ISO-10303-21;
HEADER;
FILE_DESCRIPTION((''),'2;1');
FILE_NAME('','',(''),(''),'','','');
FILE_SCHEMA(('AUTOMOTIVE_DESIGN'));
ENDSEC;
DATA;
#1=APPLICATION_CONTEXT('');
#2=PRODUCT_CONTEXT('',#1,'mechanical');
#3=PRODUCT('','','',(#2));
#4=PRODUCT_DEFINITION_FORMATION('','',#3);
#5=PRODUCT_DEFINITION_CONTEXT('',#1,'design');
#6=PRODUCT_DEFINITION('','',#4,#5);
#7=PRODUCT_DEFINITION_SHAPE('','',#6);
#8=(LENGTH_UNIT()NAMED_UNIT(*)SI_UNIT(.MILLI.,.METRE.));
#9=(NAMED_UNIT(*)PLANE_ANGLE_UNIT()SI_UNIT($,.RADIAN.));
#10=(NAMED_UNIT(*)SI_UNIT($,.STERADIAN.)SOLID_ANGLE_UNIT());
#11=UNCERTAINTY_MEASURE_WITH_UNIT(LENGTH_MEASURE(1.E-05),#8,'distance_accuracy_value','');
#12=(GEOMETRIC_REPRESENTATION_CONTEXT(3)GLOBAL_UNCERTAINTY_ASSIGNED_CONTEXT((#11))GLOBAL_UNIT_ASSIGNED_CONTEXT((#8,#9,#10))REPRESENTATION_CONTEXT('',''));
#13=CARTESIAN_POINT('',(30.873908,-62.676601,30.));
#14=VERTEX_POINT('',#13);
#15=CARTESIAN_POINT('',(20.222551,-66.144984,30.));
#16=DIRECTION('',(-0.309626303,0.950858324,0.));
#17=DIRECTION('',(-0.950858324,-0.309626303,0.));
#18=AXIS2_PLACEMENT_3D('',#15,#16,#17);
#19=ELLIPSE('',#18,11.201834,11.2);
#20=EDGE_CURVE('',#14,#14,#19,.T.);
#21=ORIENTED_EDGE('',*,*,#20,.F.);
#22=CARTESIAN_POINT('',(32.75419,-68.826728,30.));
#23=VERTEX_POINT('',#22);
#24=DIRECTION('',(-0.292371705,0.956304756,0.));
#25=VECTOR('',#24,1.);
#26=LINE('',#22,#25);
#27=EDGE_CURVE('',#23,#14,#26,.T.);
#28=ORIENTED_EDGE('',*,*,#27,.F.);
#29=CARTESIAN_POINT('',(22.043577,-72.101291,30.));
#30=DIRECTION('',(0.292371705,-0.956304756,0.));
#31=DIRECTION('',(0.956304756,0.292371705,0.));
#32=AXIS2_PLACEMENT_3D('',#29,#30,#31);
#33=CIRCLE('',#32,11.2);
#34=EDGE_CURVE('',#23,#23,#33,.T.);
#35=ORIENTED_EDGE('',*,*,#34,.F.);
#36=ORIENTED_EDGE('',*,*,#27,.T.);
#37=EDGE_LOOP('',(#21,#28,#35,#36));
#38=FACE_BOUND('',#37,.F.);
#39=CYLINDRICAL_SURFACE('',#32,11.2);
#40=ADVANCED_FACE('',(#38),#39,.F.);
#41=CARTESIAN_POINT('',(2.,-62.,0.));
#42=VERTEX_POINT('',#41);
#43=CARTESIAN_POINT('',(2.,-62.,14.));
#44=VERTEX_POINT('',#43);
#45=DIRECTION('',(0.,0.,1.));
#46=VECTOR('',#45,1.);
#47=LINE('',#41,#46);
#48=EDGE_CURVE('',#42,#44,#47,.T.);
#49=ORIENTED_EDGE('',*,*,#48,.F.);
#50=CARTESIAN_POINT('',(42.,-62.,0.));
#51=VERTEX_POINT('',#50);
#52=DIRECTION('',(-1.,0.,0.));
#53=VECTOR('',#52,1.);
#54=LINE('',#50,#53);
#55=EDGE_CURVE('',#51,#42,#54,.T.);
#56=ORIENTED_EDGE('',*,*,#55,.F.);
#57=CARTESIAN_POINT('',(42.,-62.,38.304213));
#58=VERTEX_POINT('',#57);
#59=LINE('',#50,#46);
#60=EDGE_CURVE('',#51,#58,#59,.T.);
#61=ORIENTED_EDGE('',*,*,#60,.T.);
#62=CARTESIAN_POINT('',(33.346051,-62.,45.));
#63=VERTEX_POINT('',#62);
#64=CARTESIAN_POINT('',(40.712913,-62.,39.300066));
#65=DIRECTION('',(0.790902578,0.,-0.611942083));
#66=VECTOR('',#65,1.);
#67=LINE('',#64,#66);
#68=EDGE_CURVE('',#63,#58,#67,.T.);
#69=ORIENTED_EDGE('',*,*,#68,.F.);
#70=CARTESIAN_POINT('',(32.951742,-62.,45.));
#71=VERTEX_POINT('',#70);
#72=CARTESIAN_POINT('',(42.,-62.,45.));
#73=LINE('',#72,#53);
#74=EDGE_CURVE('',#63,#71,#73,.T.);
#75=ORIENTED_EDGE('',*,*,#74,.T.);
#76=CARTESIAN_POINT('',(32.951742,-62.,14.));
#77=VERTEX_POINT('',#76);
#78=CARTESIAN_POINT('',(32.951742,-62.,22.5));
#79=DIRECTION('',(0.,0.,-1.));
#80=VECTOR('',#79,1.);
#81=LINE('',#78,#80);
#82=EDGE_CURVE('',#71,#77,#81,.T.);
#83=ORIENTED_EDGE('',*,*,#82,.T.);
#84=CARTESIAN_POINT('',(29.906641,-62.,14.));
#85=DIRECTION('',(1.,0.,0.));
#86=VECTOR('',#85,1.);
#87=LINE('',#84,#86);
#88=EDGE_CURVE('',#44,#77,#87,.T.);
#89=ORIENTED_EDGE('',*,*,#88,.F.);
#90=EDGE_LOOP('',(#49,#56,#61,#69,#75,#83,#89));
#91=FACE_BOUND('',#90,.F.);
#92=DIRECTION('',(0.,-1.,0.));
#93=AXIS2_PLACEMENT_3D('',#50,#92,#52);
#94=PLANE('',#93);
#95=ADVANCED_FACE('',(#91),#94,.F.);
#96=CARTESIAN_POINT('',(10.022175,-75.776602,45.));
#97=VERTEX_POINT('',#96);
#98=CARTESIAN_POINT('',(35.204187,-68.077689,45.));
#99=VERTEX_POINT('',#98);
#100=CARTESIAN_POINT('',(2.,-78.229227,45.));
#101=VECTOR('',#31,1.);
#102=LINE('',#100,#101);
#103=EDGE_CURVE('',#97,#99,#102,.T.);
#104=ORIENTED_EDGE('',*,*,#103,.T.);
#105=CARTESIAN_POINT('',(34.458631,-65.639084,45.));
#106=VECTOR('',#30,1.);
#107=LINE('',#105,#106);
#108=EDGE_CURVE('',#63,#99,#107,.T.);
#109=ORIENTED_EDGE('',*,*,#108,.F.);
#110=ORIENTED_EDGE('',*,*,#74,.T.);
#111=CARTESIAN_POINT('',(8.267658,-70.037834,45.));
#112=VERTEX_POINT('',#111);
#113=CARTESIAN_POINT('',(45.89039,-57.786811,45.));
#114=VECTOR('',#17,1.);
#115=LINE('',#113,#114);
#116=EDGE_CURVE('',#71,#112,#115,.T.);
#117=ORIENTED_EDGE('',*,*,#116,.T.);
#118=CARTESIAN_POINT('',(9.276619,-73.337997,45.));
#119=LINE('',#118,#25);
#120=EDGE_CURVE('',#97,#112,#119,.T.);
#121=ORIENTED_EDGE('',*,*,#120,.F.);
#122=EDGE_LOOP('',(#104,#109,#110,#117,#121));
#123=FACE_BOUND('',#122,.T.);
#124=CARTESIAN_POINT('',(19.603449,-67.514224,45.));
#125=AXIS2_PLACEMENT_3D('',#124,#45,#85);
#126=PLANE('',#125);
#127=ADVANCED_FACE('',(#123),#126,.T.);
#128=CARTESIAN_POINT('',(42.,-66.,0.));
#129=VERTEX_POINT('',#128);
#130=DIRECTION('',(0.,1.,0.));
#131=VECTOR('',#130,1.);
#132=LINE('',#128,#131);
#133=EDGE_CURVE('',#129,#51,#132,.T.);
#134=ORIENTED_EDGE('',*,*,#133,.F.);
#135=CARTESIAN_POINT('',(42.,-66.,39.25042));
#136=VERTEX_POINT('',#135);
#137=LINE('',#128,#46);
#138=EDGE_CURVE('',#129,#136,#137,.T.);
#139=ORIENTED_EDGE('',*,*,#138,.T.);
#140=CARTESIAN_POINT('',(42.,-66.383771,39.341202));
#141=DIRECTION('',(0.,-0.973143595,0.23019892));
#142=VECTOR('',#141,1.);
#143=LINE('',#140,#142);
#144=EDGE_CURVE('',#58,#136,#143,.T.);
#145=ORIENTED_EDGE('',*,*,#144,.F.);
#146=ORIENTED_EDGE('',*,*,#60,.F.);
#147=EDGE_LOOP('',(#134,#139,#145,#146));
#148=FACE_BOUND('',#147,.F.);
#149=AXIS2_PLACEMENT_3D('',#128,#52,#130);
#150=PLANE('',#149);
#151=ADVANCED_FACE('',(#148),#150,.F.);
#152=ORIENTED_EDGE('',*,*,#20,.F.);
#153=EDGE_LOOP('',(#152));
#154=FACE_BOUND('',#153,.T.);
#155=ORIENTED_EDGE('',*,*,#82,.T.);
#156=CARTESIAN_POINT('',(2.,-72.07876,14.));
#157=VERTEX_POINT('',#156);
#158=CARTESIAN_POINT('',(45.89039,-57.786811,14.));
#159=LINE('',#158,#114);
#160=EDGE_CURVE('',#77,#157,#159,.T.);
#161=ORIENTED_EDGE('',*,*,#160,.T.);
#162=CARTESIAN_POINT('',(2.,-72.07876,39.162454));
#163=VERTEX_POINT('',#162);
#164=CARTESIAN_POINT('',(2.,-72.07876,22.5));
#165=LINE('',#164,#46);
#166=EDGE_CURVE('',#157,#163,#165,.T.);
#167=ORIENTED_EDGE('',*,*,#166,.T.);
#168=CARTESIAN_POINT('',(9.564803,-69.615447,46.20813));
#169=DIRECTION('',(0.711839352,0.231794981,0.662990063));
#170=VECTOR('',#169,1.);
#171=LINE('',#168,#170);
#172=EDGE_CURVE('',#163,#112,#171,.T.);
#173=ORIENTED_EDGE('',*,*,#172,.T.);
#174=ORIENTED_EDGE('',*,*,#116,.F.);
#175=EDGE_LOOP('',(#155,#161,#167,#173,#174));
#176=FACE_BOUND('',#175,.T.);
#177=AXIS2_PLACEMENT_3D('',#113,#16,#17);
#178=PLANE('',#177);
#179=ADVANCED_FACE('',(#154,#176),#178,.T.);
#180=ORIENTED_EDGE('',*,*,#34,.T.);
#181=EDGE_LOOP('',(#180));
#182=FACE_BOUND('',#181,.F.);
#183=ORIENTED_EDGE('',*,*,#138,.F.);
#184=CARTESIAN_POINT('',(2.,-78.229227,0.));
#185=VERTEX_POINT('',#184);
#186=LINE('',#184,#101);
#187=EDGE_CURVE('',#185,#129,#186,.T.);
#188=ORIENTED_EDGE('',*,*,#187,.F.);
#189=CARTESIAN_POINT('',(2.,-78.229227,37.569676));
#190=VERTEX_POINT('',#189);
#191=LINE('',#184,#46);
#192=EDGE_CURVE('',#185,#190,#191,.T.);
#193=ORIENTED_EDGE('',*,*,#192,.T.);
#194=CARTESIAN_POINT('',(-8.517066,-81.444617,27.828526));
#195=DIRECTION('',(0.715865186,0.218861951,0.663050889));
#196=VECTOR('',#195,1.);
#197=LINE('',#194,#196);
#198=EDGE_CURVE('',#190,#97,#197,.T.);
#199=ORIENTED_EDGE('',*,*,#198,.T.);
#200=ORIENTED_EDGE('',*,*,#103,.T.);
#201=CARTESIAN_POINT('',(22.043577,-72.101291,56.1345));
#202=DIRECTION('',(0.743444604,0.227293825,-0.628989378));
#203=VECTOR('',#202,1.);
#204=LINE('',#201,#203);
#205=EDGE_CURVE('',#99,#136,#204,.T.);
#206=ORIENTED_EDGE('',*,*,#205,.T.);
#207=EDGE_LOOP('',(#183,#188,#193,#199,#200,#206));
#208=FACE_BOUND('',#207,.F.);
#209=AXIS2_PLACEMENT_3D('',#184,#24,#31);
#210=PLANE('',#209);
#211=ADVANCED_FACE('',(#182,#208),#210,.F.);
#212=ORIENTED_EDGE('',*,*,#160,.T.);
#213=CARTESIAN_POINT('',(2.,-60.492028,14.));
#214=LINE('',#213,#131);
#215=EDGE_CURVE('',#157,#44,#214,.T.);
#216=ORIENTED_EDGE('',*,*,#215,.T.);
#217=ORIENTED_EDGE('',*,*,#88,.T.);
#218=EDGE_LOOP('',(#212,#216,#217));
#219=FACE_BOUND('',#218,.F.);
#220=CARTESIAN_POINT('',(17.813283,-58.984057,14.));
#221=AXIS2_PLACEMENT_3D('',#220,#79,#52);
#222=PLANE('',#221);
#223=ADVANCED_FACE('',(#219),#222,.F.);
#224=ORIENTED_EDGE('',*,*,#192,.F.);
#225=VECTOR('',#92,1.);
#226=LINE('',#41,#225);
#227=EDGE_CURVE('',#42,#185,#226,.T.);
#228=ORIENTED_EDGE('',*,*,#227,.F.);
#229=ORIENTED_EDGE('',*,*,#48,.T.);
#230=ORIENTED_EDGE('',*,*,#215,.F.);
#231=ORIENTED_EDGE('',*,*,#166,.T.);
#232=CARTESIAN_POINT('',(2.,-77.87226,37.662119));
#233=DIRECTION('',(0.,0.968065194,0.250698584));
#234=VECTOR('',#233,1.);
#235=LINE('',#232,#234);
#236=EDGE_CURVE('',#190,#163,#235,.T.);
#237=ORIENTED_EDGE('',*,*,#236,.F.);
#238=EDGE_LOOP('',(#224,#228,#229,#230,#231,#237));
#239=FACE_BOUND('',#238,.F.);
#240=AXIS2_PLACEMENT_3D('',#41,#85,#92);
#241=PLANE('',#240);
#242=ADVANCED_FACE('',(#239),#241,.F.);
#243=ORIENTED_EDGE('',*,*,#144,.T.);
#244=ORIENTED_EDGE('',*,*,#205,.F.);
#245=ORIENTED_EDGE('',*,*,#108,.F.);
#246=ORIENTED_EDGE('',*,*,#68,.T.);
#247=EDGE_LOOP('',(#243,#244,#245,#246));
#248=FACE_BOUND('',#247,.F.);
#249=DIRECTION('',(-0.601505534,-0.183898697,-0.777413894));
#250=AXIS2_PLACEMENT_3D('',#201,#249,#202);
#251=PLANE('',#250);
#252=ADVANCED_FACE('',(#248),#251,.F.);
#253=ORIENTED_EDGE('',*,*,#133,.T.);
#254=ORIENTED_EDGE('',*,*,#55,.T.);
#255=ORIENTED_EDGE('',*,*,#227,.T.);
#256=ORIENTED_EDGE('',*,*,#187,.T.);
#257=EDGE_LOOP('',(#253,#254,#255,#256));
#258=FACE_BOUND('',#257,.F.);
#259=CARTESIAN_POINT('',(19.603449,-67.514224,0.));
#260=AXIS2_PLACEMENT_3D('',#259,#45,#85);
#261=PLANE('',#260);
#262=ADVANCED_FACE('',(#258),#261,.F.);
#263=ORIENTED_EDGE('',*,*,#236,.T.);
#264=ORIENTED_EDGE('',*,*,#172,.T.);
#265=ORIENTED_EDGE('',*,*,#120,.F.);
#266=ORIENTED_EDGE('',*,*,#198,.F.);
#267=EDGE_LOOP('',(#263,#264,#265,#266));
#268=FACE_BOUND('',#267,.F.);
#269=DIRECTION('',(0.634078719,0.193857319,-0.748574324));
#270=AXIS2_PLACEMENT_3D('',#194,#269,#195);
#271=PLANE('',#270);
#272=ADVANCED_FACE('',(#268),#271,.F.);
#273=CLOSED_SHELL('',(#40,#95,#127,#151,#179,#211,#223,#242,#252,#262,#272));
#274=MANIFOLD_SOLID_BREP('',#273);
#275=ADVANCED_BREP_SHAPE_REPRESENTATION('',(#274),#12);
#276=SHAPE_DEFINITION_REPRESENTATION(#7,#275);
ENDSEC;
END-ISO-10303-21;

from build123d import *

# Parameters (mm, degrees)
PAD005_DEPTH    = 45
SKETCH012_R     = 11.2
POCKET006_DEPTH = 15.5210872128
POCKET_DEPTH    = 15.5210872128
POCKET007_DEPTH = 31


with BuildPart() as part:
    # Sketch004 → Pad005 (new body)
    with BuildSketch(Plane.XY):
        Polygon((42, -62), (2, -62), (2, -78.2292272583), (42, -66), align=None)
    extrude(amount=PAD005_DEPTH)

    # Sketch012 → Pocket006 (cut, through all)
    with BuildSketch(Plane(origin=(22.0435767909, -72.1012908672, 0), x_dir=(0.956304756, 0.2923717047, 0), z_dir=(0.2923717047, -0.956304756, 0))):
        with Locations((0, 30)):
            Circle(SKETCH012_R)
    extrude(amount=-POCKET006_DEPTH, mode=Mode.SUBTRACT)

    # Sketch013 → Pocket (cut, through all)
    with BuildSketch(Plane(origin=(22.0435767909, -72.1012908672, 0), x_dir=(0.956304756, 0.2923717047, 0), z_dir=(0.2923717047, -0.956304756, 0))):
        Polygon((0, 56.1345), (33.1881878236, 29.2826289434), (33.1881878236, 69.8913260191), (-31.9570121764, 69.8913260191), (-31.9570121764, 27.8285260191), align=None)
    extrude(amount=-POCKET_DEPTH, mode=Mode.SUBTRACT)

    # Sketch014 → Pocket007 (cut)
    with BuildSketch(Plane.XY.offset(45)):
        Polygon((45.8903901048, -57.7868109147), (-5.585371219, -74.5487714011), (-10.263824653, -60.1813021227), (41.2119366707, -43.4193416363), align=None)
    extrude(amount=-POCKET007_DEPTH, mode=Mode.SUBTRACT)


solid = part.part
